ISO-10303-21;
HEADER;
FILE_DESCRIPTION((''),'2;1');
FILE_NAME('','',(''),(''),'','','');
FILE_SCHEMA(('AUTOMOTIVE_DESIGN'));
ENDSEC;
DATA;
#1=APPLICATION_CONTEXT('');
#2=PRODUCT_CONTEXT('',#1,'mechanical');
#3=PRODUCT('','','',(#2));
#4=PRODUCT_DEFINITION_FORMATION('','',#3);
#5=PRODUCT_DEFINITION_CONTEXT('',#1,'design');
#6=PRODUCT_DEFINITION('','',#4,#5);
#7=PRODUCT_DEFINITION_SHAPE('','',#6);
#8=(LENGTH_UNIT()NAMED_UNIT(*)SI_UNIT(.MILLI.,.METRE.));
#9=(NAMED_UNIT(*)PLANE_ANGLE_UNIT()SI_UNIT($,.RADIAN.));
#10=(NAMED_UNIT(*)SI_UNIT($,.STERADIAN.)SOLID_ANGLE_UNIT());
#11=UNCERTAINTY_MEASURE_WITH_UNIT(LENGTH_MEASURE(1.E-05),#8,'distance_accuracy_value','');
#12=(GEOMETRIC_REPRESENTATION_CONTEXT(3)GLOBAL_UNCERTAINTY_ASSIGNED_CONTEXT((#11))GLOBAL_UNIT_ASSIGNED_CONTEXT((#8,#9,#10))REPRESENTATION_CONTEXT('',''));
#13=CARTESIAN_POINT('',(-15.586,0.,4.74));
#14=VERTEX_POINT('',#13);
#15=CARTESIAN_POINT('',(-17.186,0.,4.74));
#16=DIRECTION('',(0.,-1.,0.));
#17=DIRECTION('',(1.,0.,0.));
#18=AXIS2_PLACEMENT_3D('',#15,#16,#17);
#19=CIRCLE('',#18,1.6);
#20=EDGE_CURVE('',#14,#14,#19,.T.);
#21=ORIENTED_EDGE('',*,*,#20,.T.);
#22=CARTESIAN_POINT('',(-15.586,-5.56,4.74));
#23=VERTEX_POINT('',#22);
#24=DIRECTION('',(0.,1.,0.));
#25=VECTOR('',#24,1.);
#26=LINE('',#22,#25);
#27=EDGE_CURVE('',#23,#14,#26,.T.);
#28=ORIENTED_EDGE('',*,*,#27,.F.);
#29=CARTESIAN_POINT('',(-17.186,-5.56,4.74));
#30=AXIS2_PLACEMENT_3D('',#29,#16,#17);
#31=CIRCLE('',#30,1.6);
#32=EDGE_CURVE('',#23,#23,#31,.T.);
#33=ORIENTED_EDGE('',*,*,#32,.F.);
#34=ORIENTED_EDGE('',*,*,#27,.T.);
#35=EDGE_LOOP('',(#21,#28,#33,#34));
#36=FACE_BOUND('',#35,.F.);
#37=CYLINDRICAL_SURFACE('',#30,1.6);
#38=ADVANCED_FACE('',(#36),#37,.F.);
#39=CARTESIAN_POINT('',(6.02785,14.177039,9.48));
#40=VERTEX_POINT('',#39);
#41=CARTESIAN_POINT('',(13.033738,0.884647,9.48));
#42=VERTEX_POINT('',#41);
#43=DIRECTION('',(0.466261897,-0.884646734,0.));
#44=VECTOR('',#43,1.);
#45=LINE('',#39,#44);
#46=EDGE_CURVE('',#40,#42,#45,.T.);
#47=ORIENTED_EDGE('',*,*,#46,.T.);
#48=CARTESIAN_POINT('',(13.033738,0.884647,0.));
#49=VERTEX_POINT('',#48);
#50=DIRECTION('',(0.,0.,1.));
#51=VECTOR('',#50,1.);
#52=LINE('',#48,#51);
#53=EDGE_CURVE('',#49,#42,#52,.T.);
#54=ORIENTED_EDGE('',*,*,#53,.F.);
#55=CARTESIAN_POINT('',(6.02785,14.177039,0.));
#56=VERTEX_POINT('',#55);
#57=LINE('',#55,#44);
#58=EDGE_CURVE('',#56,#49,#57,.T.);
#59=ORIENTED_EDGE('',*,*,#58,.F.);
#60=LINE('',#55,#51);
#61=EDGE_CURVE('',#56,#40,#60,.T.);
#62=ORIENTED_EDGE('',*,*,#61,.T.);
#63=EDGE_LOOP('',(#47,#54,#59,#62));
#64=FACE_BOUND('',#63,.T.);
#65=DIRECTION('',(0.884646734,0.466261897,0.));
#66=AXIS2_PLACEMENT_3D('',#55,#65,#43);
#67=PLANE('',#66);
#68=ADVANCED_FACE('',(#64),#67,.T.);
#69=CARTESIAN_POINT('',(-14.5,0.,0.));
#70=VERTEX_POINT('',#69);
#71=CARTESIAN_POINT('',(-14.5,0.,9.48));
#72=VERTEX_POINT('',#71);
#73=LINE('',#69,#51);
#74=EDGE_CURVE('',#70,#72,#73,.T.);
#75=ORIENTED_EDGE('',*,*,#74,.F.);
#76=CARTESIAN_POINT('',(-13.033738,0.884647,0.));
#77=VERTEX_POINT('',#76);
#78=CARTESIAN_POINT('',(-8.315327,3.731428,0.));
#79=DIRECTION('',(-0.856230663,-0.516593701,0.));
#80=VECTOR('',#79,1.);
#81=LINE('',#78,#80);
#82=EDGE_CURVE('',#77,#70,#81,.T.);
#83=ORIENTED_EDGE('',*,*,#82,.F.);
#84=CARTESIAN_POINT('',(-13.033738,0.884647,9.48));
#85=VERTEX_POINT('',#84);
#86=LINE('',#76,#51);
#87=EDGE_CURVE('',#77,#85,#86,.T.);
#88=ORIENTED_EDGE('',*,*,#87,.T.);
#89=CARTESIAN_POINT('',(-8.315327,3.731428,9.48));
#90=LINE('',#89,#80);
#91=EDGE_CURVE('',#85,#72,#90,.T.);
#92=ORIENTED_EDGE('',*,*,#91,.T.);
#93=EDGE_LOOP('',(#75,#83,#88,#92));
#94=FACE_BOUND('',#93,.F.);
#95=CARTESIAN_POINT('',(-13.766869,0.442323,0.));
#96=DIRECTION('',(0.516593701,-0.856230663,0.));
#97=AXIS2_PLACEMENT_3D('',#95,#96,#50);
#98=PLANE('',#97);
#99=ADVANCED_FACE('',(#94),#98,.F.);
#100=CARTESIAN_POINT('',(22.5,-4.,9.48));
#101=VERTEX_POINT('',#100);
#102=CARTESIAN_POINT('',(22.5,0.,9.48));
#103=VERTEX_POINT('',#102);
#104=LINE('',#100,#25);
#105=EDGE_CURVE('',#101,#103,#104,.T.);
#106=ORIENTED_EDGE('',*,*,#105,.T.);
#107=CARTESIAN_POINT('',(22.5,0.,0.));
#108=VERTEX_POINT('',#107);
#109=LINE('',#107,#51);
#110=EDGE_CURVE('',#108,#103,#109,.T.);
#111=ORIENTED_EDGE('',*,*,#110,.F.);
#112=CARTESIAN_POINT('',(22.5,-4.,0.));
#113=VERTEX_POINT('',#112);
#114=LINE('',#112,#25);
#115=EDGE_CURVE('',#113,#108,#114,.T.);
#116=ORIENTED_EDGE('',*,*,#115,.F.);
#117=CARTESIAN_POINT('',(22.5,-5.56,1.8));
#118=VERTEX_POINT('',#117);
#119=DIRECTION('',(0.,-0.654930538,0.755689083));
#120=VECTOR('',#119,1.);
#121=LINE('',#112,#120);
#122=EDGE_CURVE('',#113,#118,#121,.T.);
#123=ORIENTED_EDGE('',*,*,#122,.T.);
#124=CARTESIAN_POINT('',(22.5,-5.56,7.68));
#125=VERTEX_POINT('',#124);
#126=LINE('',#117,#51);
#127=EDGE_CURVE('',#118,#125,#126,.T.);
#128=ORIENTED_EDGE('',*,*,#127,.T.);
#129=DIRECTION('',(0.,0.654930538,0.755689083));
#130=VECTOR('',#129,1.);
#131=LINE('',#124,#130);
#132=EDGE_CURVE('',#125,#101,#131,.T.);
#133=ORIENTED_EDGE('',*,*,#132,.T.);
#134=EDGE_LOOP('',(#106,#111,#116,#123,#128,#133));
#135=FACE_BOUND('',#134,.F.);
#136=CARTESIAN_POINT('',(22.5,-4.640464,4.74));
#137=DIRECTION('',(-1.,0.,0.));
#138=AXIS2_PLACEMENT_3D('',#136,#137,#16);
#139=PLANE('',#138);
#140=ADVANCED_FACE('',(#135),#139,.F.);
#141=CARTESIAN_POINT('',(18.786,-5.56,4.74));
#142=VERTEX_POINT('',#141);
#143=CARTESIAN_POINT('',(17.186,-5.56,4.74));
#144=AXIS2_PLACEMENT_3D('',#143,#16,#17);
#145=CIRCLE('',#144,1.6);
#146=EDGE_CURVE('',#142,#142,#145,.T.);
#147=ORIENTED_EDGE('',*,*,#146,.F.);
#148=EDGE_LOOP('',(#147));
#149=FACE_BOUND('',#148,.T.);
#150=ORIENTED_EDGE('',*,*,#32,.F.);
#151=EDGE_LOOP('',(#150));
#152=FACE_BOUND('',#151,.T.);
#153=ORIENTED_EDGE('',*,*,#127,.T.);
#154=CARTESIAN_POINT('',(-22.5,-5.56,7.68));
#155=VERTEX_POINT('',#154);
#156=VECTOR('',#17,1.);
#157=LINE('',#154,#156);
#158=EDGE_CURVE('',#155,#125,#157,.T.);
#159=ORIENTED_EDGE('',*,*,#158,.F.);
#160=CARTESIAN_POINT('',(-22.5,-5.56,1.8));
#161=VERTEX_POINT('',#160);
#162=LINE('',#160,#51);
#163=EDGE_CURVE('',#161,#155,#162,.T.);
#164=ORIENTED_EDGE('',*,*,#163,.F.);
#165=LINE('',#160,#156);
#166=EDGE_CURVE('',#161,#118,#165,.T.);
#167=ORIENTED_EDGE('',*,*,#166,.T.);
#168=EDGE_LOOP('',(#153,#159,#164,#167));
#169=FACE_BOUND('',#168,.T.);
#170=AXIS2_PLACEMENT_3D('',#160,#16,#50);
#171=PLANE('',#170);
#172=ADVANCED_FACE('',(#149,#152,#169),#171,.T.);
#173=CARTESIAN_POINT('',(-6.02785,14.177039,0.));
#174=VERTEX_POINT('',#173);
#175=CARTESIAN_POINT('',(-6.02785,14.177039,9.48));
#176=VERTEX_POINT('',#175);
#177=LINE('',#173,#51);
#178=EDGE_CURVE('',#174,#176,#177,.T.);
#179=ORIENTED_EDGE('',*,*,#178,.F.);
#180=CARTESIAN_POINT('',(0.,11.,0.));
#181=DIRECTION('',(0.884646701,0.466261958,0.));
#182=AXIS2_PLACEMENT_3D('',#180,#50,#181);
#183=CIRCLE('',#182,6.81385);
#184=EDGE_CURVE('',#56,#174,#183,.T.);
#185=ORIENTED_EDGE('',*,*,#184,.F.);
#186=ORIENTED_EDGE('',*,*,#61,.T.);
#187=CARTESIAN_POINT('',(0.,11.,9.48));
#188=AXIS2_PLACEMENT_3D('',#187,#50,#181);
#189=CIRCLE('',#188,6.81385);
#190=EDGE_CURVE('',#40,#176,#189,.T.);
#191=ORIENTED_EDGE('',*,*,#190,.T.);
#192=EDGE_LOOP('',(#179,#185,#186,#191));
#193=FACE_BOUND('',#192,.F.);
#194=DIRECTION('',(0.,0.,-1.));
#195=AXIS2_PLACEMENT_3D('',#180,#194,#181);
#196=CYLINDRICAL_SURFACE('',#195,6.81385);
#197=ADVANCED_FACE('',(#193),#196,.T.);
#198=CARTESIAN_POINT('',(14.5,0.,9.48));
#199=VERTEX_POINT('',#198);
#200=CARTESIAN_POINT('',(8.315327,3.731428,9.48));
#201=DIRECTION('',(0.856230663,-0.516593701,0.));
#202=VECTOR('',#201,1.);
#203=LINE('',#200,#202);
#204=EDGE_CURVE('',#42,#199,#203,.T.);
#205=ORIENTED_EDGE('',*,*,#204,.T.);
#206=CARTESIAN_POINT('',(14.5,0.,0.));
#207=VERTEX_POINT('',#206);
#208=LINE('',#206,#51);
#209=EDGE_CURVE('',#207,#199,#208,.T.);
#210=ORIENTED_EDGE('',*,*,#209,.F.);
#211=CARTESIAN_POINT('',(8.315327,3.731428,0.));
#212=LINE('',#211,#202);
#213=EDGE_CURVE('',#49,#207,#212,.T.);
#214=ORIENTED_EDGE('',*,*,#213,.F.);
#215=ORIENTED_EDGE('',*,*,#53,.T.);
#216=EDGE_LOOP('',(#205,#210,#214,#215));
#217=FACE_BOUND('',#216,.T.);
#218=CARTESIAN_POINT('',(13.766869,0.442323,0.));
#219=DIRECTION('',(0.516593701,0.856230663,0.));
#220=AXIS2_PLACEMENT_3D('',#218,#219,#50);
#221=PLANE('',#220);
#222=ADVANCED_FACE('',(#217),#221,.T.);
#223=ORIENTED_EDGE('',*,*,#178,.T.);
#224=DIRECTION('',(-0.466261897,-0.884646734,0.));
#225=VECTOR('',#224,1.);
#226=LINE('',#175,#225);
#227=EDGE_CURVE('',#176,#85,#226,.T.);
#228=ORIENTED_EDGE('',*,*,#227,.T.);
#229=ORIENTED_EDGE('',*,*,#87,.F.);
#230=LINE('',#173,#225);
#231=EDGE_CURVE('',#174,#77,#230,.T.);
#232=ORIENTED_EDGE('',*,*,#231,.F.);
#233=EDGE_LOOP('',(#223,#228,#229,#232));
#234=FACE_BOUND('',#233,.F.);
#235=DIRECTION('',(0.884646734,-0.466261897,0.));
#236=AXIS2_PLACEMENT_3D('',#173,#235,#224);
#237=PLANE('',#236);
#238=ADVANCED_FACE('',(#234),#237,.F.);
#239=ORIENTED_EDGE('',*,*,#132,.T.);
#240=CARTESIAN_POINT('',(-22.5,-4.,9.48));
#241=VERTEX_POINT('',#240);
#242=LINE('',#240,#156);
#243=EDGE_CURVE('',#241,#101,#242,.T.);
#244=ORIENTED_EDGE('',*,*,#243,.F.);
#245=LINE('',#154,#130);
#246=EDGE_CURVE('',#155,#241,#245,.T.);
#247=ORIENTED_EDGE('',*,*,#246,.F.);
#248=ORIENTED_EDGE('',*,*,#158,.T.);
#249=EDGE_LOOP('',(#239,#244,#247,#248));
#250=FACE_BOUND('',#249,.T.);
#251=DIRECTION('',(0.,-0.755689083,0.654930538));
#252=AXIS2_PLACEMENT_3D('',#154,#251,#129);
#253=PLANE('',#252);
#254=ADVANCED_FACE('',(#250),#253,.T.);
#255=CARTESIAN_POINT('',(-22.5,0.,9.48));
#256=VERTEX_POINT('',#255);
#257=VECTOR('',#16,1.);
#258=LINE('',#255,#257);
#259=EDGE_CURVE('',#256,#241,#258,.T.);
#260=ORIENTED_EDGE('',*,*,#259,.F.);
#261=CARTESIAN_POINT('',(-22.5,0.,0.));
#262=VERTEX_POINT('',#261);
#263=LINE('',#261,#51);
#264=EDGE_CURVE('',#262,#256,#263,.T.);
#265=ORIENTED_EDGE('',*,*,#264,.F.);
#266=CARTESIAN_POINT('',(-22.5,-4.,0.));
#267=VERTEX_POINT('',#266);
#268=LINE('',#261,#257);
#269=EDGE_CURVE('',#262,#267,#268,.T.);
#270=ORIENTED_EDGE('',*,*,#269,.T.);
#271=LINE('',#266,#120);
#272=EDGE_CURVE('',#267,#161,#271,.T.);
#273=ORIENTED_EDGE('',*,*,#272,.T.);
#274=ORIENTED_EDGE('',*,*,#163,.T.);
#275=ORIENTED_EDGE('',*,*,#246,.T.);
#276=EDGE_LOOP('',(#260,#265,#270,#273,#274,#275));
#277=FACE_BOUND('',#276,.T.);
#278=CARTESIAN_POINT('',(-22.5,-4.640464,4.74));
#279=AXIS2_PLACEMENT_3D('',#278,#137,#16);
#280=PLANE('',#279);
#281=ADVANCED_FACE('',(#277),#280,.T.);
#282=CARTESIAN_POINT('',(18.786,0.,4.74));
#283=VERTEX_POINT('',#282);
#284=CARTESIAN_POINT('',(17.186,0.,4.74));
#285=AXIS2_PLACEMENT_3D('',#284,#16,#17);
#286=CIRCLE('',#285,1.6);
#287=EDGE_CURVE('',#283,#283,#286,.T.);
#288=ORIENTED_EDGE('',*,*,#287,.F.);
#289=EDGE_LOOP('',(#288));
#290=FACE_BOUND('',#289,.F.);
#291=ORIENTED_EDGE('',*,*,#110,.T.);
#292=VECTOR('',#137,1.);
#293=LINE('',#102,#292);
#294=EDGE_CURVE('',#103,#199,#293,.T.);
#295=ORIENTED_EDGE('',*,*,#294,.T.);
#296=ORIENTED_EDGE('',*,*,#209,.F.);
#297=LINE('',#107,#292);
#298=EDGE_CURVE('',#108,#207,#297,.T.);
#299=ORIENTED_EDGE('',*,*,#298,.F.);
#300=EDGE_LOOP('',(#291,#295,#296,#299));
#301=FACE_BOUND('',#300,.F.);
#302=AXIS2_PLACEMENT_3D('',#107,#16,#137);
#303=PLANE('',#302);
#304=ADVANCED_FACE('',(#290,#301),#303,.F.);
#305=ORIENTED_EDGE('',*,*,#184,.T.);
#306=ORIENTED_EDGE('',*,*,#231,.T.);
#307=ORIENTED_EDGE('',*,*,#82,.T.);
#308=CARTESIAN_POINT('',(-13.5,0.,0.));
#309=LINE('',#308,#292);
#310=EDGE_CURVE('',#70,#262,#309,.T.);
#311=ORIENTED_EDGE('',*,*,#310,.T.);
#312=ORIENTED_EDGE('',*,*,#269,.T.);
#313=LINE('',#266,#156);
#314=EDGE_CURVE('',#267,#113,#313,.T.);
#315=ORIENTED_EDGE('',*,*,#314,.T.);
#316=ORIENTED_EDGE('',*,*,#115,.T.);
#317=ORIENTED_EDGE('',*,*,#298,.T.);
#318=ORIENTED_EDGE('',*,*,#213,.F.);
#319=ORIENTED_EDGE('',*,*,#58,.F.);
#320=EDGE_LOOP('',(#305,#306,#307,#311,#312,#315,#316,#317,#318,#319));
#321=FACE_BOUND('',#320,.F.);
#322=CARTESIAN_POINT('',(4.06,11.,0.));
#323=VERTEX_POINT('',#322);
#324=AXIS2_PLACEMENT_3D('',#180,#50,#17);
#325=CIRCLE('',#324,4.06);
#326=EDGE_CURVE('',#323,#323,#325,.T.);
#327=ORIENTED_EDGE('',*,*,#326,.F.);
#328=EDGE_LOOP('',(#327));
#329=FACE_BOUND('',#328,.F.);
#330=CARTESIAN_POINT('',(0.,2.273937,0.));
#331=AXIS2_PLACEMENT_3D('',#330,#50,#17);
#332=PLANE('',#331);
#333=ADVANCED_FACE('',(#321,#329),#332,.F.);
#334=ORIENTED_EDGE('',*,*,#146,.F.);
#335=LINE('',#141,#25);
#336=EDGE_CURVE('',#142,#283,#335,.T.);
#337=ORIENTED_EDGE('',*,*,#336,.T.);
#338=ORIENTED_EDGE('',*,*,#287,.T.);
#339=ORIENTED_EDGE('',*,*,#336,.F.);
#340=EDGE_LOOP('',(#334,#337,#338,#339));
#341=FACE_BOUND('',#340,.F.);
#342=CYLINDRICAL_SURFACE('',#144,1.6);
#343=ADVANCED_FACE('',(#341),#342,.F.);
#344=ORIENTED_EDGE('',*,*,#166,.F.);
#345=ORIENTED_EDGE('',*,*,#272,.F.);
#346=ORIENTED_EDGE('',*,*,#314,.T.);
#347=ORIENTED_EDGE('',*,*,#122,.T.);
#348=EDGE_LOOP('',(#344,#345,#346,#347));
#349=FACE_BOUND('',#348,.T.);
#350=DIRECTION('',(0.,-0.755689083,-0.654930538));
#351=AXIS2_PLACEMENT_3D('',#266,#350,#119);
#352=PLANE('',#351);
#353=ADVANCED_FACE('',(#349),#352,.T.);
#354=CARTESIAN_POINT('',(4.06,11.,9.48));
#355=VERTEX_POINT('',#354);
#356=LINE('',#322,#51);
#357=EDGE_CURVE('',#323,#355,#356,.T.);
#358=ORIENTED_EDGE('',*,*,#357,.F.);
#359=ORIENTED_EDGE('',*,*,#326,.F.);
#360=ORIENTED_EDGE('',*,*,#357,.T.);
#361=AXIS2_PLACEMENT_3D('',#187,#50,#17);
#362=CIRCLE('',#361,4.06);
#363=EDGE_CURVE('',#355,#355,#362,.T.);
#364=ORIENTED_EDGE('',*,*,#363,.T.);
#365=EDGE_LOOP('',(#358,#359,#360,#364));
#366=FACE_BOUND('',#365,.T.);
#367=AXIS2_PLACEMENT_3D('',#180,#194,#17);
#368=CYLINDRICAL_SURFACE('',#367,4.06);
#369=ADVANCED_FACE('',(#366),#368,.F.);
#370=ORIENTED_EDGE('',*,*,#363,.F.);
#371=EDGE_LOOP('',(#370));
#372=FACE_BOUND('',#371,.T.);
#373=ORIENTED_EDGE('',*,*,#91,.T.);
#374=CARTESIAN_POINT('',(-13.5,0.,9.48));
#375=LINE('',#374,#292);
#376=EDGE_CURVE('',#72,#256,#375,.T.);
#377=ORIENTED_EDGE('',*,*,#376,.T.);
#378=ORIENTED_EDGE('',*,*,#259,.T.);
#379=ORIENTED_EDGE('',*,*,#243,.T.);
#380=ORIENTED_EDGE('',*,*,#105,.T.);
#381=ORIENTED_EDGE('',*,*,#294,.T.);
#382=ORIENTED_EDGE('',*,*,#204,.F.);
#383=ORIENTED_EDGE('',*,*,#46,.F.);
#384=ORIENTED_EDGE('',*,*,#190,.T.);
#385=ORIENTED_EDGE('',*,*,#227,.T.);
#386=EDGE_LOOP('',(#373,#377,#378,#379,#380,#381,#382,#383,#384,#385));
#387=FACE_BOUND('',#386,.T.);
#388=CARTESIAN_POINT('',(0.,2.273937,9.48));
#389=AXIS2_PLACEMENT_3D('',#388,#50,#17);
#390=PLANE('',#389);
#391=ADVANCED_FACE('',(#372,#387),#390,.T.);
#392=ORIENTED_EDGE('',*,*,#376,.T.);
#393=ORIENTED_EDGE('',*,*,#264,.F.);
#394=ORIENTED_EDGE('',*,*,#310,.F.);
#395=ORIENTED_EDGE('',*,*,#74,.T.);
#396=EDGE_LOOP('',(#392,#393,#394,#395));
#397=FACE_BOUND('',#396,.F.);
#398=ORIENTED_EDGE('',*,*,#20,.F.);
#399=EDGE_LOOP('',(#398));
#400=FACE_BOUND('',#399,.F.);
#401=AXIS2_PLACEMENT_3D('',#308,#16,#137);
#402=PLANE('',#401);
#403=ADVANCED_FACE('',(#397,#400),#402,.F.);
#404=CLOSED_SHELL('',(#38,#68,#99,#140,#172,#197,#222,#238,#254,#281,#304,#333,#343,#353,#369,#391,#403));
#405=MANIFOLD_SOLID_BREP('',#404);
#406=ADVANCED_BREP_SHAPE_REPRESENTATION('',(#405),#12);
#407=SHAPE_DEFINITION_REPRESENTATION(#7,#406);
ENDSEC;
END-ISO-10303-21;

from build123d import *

# Parameters (mm, degrees)
SKETCH_R     = 4.06
PAD_DEPTH    = 9.48
PAD001_DEPTH = 45
SKETCH002_R  = 1.6
POCKET_DEPTH = 23.37485
CHAMFER_SIZE = 1


with BuildPart() as part:
    # Sketch → Pad (new body)
    with BuildSketch(Plane.XY):
        with BuildLine():
            ThreePointArc((6.02785, 14.177039), (0, 17.81385), (-6.02785, 14.177039))
            Line((-6.02785, 14.177039), (-13.5, 0))
            Line((-13.5, 0), (-22.5, 0))
            Line((-22.5, 0), (-22.5, -4))
            Line((-22.5, -4), (22.5, -4))
            Line((22.5, -4), (22.5, 0))
            Line((22.5, 0), (13.5, 0))
            Line((6.02785, 14.177039), (13.5, 0))
        make_face()
        with Locations((0, 11)):
            Circle(SKETCH_R, mode=Mode.SUBTRACT)
    extrude(amount=PAD_DEPTH)

    # Sketch001 (on Face4 of Pad) → Pad001 (join)
    with BuildSketch(Plane(origin=(-22.5, 0, 0), x_dir=(0, -1, 0), z_dir=(-1, 0, 0))):
        Polygon((4, 9.48), (4, 0), (5.56, 1.8), (5.56, 7.68), align=None)
    extrude(amount=-PAD001_DEPTH)

    # Sketch002 (on Face14 of Pad001) → Pocket (cut, through all)
    with BuildSketch(Plane.XZ.offset(5.56)):
        with Locations((-17.186, 4.74)):
            Circle(SKETCH002_R)
        with Locations((17.186, 4.74)):
            Circle(SKETCH002_R)
    extrude(amount=-POCKET_DEPTH, mode=Mode.SUBTRACT)

    # Chamfer
    chamfer_edges = [part.edges().sort_by_distance(p)[0] for p in [
        (13.5, 0, 4.74),
        (-13.5, 0, 4.74),
    ]]
    chamfer(chamfer_edges, length=CHAMFER_SIZE)


solid = part.part
